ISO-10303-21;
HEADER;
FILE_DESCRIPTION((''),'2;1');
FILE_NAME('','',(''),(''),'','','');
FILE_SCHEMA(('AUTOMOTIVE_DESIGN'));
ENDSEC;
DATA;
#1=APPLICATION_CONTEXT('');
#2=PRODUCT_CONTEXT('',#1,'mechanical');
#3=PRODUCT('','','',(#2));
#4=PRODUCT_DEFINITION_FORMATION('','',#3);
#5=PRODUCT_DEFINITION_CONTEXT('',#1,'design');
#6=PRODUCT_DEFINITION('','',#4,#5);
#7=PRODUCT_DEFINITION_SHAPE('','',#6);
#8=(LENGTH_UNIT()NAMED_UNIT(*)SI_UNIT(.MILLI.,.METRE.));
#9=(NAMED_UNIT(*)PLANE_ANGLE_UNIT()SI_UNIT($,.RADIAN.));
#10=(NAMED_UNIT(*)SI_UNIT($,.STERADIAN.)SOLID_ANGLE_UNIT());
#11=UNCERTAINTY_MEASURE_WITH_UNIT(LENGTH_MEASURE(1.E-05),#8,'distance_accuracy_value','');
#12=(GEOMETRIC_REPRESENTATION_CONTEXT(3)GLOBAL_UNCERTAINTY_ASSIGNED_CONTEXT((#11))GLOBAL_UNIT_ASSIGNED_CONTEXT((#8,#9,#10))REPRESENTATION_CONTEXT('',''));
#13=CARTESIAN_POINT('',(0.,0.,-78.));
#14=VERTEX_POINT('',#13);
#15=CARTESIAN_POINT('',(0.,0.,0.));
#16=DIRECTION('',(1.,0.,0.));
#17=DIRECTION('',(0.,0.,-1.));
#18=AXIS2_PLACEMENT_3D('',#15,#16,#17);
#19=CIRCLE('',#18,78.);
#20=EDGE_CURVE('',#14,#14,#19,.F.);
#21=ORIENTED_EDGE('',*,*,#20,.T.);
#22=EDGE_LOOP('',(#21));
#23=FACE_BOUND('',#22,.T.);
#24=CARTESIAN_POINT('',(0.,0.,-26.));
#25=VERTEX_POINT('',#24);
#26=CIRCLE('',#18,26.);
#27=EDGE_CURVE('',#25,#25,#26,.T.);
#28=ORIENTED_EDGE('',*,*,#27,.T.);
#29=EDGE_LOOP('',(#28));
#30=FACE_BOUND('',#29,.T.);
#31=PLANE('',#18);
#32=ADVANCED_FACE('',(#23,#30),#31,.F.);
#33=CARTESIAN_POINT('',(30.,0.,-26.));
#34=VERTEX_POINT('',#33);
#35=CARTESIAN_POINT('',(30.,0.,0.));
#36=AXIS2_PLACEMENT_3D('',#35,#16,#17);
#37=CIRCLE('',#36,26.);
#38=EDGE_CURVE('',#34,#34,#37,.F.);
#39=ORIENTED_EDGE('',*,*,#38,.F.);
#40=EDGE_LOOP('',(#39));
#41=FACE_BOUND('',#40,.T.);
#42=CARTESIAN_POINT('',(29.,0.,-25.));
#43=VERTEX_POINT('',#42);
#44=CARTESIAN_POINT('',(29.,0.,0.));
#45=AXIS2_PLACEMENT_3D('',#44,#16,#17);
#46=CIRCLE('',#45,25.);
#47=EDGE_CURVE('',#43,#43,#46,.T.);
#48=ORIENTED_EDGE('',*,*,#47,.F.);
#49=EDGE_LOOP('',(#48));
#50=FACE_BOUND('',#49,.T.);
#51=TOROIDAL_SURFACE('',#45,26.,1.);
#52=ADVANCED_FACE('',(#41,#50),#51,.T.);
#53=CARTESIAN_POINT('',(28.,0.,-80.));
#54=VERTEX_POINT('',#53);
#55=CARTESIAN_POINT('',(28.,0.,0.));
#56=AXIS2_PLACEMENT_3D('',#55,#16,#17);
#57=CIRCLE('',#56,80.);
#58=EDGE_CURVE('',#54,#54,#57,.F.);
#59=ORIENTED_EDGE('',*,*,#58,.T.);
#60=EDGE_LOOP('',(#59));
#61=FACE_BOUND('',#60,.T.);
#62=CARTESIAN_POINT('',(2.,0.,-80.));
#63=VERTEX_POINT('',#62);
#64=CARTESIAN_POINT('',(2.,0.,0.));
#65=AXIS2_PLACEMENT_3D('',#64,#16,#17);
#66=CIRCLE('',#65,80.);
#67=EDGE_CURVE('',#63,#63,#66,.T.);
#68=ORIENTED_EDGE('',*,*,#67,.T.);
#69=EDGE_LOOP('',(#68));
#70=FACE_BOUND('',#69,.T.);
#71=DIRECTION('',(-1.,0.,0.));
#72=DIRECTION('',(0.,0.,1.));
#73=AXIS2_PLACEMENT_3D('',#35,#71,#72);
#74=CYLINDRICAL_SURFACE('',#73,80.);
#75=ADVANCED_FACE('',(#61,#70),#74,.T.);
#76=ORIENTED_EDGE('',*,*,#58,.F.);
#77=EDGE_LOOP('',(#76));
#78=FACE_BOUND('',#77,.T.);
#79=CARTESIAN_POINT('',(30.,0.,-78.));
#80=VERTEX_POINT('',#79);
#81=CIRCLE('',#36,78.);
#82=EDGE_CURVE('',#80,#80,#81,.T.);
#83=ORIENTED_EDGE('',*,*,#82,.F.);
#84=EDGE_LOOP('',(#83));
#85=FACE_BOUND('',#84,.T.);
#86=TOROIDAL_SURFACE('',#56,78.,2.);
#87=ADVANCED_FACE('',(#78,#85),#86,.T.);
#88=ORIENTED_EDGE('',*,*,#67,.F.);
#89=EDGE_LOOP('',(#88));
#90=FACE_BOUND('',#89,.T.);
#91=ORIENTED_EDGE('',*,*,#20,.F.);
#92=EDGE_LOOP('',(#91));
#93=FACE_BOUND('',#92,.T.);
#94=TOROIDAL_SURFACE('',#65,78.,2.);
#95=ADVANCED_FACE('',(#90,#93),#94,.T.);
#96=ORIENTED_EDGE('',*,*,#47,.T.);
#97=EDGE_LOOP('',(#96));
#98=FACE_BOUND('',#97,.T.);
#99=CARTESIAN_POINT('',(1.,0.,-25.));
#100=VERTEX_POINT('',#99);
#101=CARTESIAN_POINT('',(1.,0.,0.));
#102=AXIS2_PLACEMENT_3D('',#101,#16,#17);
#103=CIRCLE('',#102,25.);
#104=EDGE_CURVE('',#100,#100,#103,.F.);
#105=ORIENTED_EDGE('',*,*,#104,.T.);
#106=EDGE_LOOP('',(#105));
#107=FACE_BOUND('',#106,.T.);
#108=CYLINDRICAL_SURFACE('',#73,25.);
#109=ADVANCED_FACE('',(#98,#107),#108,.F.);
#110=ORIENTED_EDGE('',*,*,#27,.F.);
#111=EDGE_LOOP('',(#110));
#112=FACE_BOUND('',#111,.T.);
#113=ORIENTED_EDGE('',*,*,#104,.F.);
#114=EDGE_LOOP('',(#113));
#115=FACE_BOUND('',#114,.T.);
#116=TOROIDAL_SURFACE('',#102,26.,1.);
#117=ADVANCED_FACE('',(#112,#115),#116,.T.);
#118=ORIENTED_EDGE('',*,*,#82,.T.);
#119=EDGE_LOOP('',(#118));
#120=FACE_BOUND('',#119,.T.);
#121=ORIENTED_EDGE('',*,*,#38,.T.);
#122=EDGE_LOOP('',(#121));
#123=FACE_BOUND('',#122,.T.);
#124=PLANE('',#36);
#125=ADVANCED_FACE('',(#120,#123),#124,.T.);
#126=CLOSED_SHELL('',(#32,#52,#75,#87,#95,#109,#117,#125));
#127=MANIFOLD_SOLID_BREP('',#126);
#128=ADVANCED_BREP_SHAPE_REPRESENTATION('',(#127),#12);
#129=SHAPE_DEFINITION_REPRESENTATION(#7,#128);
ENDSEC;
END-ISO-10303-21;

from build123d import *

# Parameters (mm, degrees)
SKETCH1_R           = 80
SKETCH1_R_2         = 25
BOSS_EXTRUDE1_DEPTH = 30
FILLET2_R           = 2
FILLET3_R           = 1


with BuildPart() as part:
    # Sketch1 → Boss-Extrude1 (new body)
    with BuildSketch(Plane(origin=(0, 0, 0), x_dir=(0, 0, -1), z_dir=(1, 0, 0))):
        Circle(SKETCH1_R)
        Circle(SKETCH1_R_2, mode=Mode.SUBTRACT)
    extrude(amount=BOSS_EXTRUDE1_DEPTH)

    # Fillet2
    fillet2_edges = [part.edges().sort_by_distance(p)[0] for p in [
        (0, 0, 80),
        (30, 0, 80),
    ]]
    fillet(fillet2_edges, radius=FILLET2_R)

    # Fillet3
    fillet3_edges = [part.edges().sort_by_distance(p)[0] for p in [
        (0, 0, 25),
        (30, 0, 25),
    ]]
    fillet(fillet3_edges, radius=FILLET3_R)


solid = part.part
